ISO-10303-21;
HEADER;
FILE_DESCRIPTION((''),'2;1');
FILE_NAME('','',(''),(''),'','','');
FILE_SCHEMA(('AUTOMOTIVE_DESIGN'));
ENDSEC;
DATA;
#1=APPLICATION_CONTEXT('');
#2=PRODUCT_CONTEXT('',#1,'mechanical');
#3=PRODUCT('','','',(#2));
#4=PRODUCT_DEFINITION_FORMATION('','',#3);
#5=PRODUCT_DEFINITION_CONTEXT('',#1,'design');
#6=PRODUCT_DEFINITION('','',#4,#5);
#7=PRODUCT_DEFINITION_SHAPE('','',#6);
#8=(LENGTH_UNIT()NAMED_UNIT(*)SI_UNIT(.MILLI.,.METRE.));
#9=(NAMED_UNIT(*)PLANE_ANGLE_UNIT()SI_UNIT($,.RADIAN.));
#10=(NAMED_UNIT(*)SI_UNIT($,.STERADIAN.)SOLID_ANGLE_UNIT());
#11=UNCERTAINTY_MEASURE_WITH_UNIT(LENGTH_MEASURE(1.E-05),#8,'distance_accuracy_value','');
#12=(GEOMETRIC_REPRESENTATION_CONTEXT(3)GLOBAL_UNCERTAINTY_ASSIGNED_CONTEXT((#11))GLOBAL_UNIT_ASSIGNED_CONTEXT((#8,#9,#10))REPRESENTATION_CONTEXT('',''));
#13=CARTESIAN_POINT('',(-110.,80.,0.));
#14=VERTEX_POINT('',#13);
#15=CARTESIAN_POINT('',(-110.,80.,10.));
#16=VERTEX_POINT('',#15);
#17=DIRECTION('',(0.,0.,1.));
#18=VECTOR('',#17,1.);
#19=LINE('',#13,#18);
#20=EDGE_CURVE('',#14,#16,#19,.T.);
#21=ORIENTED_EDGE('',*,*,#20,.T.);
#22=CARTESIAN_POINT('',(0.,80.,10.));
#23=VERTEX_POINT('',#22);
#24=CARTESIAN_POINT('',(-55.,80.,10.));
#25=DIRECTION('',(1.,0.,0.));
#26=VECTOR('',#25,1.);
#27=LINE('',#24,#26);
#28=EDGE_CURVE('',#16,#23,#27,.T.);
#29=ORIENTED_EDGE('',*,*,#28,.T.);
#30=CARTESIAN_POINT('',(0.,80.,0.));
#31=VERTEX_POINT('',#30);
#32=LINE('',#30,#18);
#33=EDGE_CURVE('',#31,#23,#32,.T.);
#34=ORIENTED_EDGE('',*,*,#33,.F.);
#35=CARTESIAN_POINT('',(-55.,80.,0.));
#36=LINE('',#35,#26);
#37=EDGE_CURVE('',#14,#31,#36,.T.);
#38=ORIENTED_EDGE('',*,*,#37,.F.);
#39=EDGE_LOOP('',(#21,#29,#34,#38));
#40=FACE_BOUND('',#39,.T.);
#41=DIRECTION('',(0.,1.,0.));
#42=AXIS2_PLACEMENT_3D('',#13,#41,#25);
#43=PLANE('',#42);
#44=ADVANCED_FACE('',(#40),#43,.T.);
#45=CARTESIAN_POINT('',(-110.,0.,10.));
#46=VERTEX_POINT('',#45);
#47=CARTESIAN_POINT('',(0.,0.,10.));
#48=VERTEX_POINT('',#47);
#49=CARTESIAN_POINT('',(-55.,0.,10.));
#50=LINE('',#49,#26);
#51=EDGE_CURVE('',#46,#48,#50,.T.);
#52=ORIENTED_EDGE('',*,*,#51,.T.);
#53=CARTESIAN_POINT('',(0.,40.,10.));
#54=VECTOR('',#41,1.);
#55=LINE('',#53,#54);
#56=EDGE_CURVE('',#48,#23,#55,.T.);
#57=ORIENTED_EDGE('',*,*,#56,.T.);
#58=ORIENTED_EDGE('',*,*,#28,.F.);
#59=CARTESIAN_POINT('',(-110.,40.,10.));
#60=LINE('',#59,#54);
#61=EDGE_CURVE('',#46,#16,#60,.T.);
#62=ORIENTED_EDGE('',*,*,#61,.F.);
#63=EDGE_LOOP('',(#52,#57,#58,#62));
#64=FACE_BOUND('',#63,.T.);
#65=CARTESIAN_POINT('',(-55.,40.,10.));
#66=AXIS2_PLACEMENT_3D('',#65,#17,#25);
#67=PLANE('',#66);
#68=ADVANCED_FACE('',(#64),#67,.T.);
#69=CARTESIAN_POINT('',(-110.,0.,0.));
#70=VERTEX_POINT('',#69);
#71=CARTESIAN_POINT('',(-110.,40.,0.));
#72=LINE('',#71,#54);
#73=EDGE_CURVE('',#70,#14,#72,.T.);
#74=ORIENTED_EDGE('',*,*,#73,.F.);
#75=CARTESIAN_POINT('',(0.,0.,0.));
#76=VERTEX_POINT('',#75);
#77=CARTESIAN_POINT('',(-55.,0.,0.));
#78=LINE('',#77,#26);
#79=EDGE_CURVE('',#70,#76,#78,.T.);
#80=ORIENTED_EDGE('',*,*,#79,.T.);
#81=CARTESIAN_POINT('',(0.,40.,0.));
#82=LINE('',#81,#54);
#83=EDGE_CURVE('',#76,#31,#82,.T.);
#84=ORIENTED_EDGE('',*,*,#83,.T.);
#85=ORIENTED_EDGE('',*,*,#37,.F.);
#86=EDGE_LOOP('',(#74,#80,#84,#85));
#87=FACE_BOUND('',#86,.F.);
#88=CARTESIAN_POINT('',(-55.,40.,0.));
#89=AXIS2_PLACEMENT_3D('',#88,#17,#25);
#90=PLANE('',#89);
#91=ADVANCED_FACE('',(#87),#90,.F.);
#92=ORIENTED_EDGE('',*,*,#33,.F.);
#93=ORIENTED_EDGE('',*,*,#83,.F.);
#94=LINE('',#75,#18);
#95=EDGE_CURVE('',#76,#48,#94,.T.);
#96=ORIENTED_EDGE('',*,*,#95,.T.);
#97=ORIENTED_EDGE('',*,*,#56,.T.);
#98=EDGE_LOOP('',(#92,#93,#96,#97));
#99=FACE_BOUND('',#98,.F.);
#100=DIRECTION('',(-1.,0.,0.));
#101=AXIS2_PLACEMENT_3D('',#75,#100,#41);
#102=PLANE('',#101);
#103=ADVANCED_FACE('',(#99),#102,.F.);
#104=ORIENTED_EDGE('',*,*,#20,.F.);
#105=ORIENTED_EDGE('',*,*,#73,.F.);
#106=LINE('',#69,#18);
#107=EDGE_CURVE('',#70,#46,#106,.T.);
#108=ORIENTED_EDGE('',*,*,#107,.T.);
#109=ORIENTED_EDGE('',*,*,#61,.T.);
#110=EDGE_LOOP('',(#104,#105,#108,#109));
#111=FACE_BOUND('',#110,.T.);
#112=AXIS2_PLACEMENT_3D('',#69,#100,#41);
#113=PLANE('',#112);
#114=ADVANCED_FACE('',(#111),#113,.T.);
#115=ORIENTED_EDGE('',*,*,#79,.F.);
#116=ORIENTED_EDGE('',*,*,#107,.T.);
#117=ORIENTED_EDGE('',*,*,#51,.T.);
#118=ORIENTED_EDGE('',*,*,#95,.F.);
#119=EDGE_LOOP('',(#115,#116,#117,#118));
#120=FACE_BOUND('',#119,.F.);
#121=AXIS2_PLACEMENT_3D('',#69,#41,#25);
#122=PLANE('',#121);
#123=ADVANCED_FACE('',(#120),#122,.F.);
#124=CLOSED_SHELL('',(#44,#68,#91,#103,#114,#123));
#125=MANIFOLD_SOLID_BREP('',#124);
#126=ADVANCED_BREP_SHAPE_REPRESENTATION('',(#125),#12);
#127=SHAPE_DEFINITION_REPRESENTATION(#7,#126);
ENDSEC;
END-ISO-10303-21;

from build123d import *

# Parameters (mm, degrees)
SKETCH_W  = 110
SKETCH_H  = 80
PAD_DEPTH = 10


with BuildPart() as part:
    # Sketch → Pad (new body)
    with BuildSketch(Plane.XY):
        with Locations((-55, 40)):
            Rectangle(SKETCH_W, SKETCH_H)
    extrude(amount=PAD_DEPTH)


solid = part.part
